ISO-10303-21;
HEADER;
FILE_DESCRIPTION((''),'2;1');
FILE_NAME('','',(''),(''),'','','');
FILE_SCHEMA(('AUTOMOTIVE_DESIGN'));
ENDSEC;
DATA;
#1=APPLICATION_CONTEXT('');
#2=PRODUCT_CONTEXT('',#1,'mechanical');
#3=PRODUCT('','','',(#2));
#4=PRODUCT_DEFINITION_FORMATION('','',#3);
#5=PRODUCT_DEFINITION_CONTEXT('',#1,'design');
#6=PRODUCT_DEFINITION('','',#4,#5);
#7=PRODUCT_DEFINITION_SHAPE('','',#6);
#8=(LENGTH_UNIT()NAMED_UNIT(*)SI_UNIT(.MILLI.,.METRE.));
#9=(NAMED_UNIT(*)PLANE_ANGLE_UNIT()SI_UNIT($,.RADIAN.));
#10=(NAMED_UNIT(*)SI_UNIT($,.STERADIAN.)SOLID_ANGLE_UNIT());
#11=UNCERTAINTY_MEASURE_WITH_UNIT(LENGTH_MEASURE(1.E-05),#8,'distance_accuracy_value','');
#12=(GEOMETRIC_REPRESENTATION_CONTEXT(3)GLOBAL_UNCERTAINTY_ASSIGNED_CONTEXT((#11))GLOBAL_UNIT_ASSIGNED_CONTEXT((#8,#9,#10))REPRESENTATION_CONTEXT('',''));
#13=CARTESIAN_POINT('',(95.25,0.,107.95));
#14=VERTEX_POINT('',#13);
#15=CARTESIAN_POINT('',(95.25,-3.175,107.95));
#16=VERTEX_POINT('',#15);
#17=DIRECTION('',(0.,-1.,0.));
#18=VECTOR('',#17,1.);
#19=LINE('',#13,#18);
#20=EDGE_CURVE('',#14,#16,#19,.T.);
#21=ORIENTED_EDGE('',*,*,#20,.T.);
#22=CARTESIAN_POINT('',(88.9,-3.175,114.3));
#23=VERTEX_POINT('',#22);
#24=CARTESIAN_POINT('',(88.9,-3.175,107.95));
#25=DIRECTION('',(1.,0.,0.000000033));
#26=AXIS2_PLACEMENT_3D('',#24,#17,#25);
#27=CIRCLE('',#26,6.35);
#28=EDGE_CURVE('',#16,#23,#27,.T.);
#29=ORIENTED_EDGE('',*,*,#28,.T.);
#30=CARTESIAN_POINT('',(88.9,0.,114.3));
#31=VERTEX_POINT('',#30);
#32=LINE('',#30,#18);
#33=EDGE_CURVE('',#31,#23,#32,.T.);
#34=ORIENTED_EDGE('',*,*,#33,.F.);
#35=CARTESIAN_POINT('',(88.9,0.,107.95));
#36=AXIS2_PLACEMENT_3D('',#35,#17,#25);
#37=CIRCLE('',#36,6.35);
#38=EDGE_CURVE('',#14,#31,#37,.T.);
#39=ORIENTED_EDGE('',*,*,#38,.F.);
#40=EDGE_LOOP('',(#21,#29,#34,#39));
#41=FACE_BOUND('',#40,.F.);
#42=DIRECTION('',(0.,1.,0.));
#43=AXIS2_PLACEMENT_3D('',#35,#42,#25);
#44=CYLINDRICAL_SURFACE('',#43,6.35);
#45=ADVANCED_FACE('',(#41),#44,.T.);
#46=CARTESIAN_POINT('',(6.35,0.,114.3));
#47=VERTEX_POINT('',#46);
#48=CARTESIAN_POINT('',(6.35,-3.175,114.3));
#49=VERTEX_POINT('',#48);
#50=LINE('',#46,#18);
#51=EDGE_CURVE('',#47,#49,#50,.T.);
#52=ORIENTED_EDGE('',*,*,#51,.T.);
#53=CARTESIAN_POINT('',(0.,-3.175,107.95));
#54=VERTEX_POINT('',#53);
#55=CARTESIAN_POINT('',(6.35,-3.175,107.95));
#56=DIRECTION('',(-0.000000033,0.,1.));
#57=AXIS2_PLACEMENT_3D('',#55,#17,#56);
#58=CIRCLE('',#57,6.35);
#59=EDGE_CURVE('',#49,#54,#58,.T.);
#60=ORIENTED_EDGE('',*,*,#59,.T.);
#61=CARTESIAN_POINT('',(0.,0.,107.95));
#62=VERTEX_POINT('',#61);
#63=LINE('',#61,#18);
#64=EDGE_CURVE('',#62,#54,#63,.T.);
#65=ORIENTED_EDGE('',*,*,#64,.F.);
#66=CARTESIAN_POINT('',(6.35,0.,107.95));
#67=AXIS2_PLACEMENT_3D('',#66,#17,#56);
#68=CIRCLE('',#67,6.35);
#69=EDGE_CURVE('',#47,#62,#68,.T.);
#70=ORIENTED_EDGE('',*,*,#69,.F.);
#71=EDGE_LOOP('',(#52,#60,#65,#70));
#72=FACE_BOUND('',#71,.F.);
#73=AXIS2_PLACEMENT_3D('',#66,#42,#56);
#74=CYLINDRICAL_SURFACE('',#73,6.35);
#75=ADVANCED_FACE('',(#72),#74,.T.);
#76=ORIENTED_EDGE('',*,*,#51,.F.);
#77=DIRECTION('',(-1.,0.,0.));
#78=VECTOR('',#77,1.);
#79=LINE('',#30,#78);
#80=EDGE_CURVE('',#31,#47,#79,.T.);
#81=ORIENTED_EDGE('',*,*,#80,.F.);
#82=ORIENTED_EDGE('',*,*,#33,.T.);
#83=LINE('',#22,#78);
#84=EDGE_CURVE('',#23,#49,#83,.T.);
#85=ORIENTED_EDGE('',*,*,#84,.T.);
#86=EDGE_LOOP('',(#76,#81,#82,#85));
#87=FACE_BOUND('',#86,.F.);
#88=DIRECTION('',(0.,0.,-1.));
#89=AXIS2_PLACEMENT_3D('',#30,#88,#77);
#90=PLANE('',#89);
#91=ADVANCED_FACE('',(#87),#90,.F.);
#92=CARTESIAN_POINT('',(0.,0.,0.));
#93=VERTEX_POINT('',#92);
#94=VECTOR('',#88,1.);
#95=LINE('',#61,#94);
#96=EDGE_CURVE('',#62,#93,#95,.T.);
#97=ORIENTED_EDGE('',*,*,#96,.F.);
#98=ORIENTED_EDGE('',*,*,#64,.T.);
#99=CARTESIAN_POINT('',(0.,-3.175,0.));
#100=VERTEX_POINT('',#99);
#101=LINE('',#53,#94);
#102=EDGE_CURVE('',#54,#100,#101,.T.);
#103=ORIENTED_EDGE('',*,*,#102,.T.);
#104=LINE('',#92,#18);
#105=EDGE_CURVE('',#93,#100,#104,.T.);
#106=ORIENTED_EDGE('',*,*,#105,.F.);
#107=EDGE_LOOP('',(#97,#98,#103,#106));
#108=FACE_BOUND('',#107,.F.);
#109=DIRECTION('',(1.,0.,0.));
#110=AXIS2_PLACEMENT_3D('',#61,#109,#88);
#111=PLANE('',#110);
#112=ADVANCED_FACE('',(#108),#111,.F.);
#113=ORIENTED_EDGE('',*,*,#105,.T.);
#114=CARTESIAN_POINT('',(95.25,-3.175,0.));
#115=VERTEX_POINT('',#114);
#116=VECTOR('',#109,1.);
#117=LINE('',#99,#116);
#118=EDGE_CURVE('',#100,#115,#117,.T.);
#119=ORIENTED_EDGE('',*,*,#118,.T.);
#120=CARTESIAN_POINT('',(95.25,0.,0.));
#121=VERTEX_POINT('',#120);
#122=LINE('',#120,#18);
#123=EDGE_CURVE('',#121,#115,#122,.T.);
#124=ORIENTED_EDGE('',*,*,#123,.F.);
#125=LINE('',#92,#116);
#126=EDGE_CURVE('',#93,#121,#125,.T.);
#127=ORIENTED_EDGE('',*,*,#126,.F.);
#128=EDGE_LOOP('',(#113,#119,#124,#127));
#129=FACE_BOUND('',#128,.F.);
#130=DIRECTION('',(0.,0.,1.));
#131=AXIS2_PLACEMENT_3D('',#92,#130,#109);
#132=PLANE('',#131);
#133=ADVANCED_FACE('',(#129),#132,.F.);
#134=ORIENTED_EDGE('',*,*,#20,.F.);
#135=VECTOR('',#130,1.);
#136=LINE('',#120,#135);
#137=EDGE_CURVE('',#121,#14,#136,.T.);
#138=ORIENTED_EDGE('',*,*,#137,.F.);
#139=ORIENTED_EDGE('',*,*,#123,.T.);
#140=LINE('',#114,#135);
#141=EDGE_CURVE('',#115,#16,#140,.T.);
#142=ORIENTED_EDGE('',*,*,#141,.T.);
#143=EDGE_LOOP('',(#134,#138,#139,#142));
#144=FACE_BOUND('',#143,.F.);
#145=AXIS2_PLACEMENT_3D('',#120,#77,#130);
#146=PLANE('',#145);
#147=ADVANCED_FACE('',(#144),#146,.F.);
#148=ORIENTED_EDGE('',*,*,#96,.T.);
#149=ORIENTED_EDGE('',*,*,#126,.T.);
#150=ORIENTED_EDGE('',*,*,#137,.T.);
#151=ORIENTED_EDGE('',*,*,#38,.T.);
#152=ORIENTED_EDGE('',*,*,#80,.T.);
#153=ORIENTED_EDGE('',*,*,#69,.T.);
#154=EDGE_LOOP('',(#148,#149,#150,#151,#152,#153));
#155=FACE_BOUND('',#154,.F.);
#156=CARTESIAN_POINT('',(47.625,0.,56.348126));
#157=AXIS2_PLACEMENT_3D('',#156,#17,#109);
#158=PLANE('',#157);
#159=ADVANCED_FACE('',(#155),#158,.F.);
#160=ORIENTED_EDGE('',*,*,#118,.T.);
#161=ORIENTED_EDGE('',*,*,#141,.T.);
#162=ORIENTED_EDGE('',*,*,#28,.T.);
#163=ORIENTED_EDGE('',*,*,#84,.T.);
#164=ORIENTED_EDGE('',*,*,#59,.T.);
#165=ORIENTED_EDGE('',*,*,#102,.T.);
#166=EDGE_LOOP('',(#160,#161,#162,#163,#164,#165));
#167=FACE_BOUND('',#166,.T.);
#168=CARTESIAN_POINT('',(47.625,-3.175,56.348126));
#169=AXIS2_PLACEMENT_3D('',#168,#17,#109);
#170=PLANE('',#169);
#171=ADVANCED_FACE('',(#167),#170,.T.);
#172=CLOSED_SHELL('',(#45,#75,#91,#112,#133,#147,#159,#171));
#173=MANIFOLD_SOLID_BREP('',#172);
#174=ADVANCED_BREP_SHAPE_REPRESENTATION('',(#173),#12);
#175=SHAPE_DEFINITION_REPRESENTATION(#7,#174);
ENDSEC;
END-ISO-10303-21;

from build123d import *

# Parameters (mm, degrees)
F1_DEPTH = 3.175


with BuildPart() as f1:
    # F0 (on Front) → F1 (new body)
    with BuildSketch(Plane.XZ):
        with BuildLine():
            Line((0, 107.95), (0, 0))
            Line((0, 0), (95.25, 0))
            Line((95.25, 0), (95.25, 107.95))
            ThreePointArc((95.25, 107.95), (93.390128, 112.440128), (88.9, 114.3))
            Line((88.9, 114.3), (6.35, 114.3))
            ThreePointArc((6.35, 114.3), (1.859872, 112.440128), (0, 107.95))
        make_face()
    extrude(amount=F1_DEPTH)


solid = f1.part
